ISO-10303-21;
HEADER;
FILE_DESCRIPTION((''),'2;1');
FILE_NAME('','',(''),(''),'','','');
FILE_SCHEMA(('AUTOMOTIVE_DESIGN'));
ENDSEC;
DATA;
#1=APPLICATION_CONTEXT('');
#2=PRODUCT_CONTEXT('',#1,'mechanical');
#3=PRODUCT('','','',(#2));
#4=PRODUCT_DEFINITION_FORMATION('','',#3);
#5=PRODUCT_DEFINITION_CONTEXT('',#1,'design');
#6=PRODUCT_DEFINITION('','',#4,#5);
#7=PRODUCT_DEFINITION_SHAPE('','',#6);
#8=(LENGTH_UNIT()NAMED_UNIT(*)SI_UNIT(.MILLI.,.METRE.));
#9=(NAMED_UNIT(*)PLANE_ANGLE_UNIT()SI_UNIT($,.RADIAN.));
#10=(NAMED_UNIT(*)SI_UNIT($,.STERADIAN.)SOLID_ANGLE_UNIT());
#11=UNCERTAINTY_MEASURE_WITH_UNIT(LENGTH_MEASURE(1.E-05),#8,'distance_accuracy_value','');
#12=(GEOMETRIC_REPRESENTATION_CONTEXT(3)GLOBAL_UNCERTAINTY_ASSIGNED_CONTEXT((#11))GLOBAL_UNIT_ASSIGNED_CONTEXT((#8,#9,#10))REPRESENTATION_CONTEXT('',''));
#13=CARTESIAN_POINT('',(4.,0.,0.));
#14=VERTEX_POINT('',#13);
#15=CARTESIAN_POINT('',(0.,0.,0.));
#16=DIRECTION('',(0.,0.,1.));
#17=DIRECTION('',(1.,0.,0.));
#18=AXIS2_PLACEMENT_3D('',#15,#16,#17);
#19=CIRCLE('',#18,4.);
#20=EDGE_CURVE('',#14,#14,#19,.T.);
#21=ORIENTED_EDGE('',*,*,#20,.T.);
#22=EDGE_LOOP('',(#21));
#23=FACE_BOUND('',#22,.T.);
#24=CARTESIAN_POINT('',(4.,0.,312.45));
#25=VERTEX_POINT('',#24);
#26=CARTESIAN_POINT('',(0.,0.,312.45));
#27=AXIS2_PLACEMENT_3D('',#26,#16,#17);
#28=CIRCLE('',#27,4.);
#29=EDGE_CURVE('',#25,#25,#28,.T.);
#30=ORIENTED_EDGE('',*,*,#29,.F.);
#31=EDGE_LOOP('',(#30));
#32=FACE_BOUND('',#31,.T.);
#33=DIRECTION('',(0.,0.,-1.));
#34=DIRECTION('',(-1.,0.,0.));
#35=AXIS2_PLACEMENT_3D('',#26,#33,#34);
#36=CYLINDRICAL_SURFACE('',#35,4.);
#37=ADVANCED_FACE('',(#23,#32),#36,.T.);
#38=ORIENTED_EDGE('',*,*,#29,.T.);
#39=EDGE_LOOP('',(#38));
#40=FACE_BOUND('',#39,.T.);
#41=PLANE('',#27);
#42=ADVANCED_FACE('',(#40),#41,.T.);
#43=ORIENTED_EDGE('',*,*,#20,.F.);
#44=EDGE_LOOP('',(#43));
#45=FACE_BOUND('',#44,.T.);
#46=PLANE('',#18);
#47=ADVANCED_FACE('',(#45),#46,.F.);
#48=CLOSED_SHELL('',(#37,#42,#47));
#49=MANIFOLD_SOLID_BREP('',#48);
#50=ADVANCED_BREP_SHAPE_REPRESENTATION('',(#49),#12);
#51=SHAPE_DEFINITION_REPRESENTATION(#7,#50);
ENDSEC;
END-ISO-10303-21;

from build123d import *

# Parameters (mm, degrees)
SKETCH1_R           = 4
BOSS_EXTRUDE1_DEPTH = 312.45


with BuildPart() as part:
    # Sketch1 → Boss-Extrude1 (new body)
    with BuildSketch(Plane.XY):
        Circle(SKETCH1_R)
    extrude(amount=BOSS_EXTRUDE1_DEPTH)


solid = part.part
